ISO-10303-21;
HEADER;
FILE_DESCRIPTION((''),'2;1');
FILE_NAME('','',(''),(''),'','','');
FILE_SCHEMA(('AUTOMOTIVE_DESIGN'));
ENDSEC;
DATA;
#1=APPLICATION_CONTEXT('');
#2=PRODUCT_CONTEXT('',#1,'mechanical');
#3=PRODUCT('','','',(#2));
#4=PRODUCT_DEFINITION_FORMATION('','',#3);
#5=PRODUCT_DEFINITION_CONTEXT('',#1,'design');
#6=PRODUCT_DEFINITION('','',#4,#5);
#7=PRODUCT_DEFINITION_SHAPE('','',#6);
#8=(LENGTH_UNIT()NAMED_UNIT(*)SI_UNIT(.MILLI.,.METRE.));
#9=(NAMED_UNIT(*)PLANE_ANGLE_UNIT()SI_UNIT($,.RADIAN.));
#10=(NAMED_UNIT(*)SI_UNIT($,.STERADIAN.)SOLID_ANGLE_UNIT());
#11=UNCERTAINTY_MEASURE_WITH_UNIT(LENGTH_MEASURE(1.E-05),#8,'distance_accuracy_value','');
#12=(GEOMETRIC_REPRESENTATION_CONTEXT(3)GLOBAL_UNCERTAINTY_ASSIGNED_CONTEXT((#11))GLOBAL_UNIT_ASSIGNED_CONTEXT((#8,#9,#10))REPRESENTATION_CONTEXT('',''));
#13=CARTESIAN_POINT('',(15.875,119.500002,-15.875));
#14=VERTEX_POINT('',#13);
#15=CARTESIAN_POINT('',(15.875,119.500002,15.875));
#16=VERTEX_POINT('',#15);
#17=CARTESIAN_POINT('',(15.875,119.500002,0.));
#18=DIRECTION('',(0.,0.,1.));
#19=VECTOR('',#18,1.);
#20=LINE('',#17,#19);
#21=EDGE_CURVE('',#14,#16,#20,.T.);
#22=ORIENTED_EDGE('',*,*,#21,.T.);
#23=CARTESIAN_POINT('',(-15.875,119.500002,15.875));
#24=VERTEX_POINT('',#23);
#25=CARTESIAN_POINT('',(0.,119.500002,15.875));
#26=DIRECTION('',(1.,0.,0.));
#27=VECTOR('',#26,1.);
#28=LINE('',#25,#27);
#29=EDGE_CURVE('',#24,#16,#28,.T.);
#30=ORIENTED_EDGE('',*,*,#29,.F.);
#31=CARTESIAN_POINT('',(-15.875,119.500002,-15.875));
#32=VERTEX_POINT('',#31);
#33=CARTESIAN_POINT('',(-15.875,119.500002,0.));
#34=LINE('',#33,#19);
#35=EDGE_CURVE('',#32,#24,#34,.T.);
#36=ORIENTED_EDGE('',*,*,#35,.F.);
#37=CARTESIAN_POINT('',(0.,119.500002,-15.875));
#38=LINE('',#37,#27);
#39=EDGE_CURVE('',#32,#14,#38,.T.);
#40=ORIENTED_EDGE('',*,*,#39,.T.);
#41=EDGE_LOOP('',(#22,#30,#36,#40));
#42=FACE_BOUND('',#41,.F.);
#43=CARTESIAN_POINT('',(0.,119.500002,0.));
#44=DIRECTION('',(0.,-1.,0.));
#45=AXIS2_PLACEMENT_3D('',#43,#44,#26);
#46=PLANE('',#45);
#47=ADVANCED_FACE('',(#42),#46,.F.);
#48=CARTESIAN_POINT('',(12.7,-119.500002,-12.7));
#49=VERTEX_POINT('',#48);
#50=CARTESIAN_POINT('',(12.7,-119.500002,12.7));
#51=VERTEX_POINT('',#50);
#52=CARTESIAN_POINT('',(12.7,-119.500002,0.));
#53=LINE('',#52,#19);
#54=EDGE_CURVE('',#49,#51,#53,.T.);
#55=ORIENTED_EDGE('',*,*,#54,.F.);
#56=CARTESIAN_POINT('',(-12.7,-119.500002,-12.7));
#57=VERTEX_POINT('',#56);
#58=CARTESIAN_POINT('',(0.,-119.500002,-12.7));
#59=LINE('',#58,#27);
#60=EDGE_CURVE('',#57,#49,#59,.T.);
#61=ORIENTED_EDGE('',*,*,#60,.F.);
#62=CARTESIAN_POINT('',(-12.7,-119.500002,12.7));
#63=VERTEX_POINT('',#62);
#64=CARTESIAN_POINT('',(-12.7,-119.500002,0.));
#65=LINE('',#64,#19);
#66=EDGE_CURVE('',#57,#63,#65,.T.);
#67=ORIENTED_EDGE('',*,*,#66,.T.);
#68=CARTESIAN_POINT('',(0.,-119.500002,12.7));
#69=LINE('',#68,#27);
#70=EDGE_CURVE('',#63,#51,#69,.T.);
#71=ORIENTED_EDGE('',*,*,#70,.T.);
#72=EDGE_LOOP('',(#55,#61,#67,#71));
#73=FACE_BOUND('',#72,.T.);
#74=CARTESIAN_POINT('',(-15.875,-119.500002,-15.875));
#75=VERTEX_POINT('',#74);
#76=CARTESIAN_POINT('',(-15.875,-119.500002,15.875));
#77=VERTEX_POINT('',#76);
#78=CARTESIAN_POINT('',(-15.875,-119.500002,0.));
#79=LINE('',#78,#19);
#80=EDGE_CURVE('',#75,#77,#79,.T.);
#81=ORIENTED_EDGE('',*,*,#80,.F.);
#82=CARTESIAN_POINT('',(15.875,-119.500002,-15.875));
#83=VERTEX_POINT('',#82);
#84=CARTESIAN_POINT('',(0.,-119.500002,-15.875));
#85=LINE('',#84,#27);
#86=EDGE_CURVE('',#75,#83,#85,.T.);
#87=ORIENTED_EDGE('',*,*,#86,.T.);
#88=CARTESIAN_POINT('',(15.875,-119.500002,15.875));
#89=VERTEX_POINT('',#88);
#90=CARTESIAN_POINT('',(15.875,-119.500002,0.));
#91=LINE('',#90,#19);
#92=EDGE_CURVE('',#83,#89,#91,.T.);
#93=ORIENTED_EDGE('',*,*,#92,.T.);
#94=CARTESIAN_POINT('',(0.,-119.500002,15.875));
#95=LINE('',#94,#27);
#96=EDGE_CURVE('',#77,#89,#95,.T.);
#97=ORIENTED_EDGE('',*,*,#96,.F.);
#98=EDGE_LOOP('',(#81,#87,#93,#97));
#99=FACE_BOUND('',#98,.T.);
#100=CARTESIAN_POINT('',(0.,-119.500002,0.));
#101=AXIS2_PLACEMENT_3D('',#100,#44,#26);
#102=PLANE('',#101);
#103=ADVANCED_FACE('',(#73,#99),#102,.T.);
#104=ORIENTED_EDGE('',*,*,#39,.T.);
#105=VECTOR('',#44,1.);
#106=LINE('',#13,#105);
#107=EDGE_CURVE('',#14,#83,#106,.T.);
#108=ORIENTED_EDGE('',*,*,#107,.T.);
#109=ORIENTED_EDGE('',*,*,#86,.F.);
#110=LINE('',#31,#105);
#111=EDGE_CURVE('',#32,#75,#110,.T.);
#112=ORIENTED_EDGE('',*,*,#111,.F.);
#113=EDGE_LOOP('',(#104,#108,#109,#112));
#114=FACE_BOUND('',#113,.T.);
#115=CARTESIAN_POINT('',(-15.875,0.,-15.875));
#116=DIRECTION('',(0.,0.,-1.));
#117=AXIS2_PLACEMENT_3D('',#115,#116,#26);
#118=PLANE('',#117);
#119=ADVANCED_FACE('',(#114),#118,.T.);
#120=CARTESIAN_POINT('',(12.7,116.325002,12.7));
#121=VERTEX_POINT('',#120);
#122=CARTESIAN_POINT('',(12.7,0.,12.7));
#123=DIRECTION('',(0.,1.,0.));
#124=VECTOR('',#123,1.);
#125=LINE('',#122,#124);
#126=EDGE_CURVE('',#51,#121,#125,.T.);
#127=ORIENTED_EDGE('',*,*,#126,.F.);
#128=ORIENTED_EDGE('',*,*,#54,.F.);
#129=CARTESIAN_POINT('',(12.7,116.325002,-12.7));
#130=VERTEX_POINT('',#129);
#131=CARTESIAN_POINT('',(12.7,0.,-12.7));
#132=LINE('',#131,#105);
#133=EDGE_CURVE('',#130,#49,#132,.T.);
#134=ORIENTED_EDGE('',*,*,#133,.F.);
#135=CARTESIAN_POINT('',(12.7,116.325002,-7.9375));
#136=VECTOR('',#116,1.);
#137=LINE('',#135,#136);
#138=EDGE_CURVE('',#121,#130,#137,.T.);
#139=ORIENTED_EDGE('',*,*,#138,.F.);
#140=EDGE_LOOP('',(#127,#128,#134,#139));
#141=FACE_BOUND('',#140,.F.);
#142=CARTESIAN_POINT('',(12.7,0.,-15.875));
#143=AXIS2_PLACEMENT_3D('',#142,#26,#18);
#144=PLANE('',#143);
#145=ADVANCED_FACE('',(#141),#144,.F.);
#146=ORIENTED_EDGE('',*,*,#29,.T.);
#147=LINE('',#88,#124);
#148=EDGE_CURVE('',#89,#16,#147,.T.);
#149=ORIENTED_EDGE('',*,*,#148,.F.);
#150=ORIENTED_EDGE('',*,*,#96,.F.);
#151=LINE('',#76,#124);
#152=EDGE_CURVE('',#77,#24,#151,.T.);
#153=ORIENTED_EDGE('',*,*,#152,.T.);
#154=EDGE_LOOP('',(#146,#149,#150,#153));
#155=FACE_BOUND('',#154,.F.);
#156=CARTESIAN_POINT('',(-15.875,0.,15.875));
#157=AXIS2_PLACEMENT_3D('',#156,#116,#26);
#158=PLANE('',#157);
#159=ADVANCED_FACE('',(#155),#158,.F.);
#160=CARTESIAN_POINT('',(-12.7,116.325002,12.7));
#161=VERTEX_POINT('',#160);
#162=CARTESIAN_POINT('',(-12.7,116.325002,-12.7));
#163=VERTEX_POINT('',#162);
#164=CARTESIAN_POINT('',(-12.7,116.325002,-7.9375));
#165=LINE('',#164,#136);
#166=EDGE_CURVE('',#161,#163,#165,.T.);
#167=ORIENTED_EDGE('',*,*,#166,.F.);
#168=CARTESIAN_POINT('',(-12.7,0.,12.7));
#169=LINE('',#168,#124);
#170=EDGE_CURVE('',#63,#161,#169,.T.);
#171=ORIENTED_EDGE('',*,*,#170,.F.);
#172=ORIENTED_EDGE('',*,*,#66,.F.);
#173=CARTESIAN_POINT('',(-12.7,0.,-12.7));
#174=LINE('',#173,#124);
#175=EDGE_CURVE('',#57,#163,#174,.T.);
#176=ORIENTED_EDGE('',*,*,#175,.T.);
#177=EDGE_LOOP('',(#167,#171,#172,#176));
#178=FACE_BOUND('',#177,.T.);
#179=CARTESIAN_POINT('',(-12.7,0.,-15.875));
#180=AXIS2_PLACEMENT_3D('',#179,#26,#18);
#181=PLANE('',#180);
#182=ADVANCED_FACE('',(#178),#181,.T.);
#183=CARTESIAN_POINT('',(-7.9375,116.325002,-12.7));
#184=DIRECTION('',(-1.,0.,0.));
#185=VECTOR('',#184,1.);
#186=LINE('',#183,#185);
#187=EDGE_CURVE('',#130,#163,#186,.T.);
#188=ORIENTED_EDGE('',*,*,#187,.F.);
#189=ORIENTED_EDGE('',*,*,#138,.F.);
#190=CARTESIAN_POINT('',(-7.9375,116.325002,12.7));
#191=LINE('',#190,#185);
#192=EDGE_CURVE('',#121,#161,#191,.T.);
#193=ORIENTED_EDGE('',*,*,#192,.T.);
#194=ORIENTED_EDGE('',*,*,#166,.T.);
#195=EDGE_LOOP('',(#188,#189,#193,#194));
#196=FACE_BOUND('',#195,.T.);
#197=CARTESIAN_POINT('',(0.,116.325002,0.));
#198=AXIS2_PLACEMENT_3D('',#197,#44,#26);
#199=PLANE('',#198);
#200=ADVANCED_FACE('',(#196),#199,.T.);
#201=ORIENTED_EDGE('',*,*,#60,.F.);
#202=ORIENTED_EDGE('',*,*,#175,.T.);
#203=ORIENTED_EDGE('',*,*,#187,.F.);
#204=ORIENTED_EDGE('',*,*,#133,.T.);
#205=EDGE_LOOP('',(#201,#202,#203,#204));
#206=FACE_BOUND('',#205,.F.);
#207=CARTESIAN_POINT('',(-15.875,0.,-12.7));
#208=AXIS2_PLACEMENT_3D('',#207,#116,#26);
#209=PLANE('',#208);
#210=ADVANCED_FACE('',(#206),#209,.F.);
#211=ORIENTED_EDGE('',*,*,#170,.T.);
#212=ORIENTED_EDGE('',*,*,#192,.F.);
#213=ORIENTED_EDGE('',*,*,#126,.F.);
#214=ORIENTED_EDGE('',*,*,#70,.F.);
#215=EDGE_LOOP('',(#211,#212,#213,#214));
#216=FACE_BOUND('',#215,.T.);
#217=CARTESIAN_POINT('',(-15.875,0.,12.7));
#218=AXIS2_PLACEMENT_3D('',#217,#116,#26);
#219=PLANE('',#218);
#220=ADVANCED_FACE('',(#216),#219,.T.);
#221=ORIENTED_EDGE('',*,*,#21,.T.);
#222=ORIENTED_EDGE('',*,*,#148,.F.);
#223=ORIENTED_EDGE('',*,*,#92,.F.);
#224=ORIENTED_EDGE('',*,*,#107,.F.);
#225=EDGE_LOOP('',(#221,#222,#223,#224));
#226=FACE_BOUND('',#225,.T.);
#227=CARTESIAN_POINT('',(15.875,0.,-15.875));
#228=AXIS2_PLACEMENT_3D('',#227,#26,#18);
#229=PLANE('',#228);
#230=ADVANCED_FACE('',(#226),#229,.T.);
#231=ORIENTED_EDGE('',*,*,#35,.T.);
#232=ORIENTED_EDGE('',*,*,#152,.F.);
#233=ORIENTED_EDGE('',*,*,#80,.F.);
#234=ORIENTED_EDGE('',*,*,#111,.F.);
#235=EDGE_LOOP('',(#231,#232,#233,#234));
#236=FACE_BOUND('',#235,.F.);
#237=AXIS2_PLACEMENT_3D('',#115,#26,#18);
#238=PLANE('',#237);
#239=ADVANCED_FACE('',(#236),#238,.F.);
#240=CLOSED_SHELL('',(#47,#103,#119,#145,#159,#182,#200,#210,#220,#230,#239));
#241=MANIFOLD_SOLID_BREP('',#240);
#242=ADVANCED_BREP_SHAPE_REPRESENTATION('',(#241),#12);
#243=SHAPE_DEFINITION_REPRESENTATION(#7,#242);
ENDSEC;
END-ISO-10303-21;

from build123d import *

# Parameters (mm, degrees)
F0_W     = 31.75
F0_H     = 31.75
F1_DEPTH = 119.500002
F2_T     = -3.175


with BuildPart() as f1:
    # F0 (on Front) → F1 (new body, symmetric)
    with BuildSketch(Plane.XZ):
        Rectangle(F0_W, F0_H)
    extrude(amount=F1_DEPTH, both=True)

    # F2
    f2_openings = [f1.faces().sort_by_distance(p)[0] for p in [
        (0, -119.500002, 0),
    ]]
    offset(amount=F2_T, openings=f2_openings)


solid = f1.part
